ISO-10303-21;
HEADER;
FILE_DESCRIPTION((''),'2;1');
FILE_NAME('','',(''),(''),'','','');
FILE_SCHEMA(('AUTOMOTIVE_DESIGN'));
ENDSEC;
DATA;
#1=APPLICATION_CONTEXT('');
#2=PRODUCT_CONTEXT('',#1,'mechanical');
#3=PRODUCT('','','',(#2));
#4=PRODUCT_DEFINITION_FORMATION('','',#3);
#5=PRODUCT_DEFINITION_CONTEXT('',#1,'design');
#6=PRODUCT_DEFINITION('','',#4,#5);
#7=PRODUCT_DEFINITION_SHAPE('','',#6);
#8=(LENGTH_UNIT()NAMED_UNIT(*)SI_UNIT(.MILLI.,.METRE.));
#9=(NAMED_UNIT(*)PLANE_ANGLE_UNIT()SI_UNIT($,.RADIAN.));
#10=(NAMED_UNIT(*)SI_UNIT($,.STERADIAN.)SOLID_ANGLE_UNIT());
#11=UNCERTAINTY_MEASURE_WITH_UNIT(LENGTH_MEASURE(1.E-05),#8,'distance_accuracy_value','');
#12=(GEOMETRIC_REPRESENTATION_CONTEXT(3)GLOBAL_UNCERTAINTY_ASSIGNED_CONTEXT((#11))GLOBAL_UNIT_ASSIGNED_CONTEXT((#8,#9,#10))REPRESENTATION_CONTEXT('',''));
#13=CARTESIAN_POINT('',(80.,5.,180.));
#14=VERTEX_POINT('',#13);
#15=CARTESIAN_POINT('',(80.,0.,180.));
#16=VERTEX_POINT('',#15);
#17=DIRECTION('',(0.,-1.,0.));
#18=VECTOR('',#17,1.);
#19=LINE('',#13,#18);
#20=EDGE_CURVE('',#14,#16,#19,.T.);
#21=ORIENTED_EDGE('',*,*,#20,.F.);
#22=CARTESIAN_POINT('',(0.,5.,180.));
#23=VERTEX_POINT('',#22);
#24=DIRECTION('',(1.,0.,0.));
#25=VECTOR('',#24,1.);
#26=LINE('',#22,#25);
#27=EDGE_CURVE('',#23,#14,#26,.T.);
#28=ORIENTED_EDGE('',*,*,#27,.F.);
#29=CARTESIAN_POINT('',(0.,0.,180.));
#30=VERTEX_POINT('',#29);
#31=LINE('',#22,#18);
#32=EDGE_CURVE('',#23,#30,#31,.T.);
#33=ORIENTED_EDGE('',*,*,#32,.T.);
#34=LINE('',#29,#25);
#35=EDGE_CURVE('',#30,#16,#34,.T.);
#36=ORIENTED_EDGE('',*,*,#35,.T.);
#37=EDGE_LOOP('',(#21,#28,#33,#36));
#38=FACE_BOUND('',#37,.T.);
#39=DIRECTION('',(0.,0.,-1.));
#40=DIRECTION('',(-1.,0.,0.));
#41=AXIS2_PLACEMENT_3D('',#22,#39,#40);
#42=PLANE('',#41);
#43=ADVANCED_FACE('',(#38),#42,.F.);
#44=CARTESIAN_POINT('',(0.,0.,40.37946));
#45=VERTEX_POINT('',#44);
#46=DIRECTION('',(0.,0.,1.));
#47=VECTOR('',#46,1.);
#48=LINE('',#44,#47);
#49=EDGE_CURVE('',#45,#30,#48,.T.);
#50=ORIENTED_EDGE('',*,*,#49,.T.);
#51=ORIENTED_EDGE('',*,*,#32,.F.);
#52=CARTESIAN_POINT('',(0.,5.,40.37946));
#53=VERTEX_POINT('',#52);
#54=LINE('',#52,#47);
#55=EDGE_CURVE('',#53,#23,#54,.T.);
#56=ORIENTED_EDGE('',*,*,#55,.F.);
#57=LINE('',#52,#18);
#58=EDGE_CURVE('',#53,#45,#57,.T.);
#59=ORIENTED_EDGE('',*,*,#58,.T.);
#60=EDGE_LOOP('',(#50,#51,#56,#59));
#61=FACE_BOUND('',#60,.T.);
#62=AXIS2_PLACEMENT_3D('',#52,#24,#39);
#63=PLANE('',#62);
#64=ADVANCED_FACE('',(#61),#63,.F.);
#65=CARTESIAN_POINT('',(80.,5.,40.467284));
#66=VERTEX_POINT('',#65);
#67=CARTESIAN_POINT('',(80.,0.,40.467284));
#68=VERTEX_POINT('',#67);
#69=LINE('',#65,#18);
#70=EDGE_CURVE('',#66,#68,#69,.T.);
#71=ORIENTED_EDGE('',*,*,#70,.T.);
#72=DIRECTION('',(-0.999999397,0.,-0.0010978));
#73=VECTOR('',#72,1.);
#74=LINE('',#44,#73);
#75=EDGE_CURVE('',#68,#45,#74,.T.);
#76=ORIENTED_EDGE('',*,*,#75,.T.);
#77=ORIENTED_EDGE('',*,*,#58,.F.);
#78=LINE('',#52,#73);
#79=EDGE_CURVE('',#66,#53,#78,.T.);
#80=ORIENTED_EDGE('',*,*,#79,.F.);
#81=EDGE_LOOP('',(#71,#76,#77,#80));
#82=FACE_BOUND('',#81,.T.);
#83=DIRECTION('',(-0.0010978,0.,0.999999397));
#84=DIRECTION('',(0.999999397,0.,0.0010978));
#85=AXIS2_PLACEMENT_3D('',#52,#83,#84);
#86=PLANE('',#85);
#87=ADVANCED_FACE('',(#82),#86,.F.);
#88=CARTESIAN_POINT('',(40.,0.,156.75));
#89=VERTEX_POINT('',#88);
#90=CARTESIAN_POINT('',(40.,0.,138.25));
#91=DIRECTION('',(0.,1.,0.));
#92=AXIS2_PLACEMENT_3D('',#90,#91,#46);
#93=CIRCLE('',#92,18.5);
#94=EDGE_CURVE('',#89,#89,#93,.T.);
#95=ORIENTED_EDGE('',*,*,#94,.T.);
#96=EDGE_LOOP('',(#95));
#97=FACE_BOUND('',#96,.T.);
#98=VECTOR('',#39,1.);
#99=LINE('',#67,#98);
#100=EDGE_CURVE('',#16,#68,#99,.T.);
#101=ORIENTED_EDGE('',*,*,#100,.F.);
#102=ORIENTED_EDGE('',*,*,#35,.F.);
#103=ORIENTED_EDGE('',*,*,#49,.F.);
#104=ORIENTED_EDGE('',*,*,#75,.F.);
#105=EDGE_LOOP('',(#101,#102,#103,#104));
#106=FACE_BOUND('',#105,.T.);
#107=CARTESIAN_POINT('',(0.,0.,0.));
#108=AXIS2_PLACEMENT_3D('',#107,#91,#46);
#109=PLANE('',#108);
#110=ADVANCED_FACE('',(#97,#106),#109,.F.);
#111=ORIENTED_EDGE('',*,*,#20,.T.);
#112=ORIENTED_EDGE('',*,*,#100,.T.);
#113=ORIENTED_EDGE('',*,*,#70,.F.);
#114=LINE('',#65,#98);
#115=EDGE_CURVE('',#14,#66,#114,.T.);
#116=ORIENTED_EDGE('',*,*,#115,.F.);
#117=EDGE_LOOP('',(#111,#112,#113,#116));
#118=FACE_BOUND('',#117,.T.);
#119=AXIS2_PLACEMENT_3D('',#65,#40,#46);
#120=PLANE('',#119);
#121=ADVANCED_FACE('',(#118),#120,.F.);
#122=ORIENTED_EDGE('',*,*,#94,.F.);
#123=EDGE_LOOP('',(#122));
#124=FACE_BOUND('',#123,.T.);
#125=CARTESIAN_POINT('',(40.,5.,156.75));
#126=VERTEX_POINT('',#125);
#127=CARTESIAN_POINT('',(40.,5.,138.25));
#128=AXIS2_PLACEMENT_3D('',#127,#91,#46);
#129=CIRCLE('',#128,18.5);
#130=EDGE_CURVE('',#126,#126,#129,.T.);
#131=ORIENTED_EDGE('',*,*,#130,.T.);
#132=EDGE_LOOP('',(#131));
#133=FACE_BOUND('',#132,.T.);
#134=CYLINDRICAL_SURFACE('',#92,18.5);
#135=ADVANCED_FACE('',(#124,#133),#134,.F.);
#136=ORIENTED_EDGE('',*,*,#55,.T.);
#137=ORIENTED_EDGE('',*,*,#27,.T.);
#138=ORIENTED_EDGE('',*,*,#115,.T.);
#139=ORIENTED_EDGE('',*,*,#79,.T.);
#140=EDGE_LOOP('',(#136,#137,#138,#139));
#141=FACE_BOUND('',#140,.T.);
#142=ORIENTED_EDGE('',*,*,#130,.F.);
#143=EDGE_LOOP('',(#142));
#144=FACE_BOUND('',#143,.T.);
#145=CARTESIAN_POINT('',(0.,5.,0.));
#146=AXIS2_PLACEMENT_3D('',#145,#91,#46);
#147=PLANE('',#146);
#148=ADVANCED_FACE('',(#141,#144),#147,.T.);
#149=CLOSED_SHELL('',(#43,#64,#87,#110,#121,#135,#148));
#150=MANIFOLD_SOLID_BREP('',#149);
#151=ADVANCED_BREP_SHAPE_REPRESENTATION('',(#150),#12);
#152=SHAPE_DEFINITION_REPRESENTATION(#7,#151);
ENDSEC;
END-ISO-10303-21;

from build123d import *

# Parameters (mm, degrees)
SKETCH1_R               = 6
SKETCH1_R_2             = 1.525
BOSS_EXTRUDE1_DEPTH     = 5
CUT_EXTRUDE1_DEPTH      = 198.040604952
CUT_EXTRUDE1_DEPTH_BACK = 198.040604952
SKETCH2_R               = 18.5


with BuildPart() as part:
    # Sketch1 → Boss-Extrude1 (new body)
    with BuildSketch(Plane(origin=(0, 0, 0), x_dir=(1, 0, 0), z_dir=(0, 1, 0))):
        Polygon((0, -40.379460215), (80, -40.467284232), (80, -180), (0, -180), align=None)
        with Locations(Location((40, -131.25, 0), (0, 0, 270))):
            Circle(SKETCH1_R, mode=Mode.SUBTRACT)
        with Locations(Location((24.5, -138.25, 0), (0, 0, 270))):
            Circle(SKETCH1_R_2, mode=Mode.SUBTRACT)
        with Locations(Location((55.5, -138.25, 0), (0, 0, 270))):
            Circle(SKETCH1_R_2, mode=Mode.SUBTRACT)
        with Locations(Location((32.25, -124.826606241, 0), (0, 0, 270))):
            Circle(SKETCH1_R_2, mode=Mode.SUBTRACT)
        with Locations(Location((47.75, -124.826606241, 0), (0, 0, 270))):
            Circle(SKETCH1_R_2, mode=Mode.SUBTRACT)
    extrude(amount=BOSS_EXTRUDE1_DEPTH)

    # Sketch2 → Cut-Extrude1 (cut, two sides: drawn at the far end of the back side and taken through both)
    with BuildSketch(Plane(origin=(0, 5, 0), x_dir=(1, 0, 0), z_dir=(0, 1, 0)).offset(-CUT_EXTRUDE1_DEPTH_BACK)):
        with Locations(Location((40, -138.25, 0), (0, 0, 270))):
            Circle(SKETCH2_R)
    extrude(amount=CUT_EXTRUDE1_DEPTH + CUT_EXTRUDE1_DEPTH_BACK, mode=Mode.SUBTRACT)


solid = part.part
